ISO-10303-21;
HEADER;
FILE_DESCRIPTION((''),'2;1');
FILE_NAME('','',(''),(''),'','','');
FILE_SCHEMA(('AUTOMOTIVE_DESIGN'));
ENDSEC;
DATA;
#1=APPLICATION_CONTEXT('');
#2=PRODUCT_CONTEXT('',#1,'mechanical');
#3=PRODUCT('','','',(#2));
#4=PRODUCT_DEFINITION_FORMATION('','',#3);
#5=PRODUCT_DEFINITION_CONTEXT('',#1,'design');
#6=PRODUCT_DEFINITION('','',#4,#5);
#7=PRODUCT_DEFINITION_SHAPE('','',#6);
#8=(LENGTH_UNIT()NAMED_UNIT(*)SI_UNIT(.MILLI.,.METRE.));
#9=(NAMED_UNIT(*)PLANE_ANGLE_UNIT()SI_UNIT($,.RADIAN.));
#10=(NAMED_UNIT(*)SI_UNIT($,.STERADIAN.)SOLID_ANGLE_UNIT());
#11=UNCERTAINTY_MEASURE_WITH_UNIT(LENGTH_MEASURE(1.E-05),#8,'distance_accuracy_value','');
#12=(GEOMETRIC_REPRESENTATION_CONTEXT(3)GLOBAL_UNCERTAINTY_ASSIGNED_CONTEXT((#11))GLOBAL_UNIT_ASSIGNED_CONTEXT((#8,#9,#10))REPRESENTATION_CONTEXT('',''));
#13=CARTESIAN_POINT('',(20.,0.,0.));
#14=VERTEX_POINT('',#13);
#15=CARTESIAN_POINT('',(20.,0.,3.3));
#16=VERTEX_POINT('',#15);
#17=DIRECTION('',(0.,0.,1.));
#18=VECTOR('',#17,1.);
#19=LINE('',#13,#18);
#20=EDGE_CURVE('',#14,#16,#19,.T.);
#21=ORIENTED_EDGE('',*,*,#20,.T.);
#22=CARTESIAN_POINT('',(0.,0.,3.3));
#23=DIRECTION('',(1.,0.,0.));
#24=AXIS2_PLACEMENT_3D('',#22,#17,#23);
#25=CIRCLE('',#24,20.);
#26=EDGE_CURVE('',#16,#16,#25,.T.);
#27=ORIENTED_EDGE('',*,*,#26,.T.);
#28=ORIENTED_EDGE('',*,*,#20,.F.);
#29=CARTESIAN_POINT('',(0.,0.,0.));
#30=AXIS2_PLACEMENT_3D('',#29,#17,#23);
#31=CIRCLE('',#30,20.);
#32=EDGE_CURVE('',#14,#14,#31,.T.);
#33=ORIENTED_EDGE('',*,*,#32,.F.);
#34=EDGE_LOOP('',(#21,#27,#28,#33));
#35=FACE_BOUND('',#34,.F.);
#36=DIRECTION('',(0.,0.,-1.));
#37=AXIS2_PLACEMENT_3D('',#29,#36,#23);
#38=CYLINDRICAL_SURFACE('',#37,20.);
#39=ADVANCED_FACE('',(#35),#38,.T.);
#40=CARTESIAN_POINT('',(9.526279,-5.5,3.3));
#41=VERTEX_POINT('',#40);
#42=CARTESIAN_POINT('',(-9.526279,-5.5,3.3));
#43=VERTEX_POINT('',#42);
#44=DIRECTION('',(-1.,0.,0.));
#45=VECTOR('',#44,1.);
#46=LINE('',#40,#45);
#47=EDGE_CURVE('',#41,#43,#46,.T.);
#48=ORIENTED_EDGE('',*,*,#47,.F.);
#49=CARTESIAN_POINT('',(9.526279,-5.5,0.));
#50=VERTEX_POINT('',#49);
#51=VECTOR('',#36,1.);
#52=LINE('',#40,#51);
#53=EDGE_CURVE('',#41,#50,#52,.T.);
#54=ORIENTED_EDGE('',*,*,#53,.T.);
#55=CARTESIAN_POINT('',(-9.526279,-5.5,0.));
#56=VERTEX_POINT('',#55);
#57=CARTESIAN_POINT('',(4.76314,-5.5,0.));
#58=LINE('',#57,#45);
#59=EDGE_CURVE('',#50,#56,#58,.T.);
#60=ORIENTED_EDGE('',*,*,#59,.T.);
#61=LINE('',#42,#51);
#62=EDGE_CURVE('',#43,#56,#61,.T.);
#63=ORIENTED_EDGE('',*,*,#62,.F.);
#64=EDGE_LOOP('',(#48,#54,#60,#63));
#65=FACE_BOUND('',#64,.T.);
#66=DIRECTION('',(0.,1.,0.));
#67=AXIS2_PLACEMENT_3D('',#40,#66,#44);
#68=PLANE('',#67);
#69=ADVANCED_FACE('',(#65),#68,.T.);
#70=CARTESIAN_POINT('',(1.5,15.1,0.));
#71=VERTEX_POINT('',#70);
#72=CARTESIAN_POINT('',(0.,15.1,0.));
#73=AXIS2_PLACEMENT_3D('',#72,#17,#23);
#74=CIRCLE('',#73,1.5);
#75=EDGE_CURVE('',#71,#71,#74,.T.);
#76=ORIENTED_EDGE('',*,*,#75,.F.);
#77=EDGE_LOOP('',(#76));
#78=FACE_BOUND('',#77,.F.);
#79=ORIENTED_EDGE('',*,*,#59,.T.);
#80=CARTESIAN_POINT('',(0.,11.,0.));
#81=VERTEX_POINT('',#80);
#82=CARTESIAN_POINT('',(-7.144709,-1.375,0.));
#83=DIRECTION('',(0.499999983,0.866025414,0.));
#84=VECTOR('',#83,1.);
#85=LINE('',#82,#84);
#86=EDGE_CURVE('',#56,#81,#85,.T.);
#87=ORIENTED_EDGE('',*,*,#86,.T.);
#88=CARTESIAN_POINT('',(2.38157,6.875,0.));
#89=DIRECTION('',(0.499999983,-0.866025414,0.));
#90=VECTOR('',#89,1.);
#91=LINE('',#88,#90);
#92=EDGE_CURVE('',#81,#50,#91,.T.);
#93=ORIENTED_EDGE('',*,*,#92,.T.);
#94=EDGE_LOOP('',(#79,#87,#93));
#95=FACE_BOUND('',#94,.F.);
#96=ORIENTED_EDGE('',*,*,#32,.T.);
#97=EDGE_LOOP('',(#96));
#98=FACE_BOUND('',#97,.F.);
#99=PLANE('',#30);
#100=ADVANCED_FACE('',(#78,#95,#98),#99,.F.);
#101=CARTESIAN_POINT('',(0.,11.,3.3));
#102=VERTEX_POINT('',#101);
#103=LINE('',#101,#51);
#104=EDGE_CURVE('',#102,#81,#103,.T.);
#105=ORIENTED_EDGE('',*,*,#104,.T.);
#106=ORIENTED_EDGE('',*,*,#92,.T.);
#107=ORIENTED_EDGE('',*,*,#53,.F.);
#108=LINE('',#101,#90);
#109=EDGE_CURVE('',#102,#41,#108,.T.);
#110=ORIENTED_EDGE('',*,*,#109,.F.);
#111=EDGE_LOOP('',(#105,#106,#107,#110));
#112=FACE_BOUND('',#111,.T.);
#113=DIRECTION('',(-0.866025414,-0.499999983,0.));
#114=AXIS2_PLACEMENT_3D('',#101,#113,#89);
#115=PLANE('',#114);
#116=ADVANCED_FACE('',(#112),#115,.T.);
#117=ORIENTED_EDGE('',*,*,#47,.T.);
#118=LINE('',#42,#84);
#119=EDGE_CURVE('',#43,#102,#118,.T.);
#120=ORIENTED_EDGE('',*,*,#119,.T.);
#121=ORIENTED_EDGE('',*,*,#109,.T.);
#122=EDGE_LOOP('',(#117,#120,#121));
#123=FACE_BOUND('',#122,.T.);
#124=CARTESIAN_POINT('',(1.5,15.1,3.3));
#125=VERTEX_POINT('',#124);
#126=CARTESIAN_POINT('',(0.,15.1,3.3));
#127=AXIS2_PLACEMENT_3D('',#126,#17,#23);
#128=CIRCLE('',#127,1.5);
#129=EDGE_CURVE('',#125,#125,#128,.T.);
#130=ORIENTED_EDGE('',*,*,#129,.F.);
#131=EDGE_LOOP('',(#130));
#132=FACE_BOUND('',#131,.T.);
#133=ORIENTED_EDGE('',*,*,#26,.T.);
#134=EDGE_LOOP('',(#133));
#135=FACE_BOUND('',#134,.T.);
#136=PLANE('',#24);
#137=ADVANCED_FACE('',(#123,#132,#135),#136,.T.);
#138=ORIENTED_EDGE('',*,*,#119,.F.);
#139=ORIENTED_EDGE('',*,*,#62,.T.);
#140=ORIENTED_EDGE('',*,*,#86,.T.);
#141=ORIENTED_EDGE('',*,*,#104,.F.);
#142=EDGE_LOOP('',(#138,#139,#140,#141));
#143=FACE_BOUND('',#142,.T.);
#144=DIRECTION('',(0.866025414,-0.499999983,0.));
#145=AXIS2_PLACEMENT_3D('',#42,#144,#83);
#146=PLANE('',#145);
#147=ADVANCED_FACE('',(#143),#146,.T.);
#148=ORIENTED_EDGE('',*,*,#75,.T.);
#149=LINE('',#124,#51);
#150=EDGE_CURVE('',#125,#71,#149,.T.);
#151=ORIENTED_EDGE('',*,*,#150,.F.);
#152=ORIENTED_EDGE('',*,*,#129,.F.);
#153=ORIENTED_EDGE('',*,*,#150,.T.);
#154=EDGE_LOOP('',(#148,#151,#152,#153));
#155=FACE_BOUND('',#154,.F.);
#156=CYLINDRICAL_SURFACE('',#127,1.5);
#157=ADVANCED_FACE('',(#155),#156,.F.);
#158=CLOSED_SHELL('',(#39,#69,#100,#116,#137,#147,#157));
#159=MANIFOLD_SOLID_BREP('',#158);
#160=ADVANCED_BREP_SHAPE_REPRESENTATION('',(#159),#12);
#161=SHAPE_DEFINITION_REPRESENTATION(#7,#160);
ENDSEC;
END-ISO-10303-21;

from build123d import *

# Parameters (mm, degrees)
CYLINDER_R      = 20
CYLINDER_DEPTH  = 3.3
SKETCH_R        = 1.5
POCKET_DEPTH    = 3.301
POCKET001_DEPTH = 3.301


with BuildPart() as part:
    # Cylinder → Cylinder (new body)
    with BuildSketch(Plane.XY):
        Circle(CYLINDER_R)
    extrude(amount=CYLINDER_DEPTH)

    # Sketch (on Face2 of Cylinder) → Pocket (cut, through all)
    with BuildSketch(Plane.XY.offset(3.3)):
        with Locations((0, 15.1)):
            Circle(SKETCH_R)
    extrude(amount=-POCKET_DEPTH, mode=Mode.SUBTRACT)

    # Sketch005 (on Face1 of CopyClone001) → Pocket001 (cut, through all)
    with BuildSketch(Plane.XY.offset(3.3)):
        Polygon((-9.526279, -5.5), (0, 11), (9.526279, -5.5), align=None)
    extrude(amount=-POCKET001_DEPTH, mode=Mode.SUBTRACT)


solid = part.part
